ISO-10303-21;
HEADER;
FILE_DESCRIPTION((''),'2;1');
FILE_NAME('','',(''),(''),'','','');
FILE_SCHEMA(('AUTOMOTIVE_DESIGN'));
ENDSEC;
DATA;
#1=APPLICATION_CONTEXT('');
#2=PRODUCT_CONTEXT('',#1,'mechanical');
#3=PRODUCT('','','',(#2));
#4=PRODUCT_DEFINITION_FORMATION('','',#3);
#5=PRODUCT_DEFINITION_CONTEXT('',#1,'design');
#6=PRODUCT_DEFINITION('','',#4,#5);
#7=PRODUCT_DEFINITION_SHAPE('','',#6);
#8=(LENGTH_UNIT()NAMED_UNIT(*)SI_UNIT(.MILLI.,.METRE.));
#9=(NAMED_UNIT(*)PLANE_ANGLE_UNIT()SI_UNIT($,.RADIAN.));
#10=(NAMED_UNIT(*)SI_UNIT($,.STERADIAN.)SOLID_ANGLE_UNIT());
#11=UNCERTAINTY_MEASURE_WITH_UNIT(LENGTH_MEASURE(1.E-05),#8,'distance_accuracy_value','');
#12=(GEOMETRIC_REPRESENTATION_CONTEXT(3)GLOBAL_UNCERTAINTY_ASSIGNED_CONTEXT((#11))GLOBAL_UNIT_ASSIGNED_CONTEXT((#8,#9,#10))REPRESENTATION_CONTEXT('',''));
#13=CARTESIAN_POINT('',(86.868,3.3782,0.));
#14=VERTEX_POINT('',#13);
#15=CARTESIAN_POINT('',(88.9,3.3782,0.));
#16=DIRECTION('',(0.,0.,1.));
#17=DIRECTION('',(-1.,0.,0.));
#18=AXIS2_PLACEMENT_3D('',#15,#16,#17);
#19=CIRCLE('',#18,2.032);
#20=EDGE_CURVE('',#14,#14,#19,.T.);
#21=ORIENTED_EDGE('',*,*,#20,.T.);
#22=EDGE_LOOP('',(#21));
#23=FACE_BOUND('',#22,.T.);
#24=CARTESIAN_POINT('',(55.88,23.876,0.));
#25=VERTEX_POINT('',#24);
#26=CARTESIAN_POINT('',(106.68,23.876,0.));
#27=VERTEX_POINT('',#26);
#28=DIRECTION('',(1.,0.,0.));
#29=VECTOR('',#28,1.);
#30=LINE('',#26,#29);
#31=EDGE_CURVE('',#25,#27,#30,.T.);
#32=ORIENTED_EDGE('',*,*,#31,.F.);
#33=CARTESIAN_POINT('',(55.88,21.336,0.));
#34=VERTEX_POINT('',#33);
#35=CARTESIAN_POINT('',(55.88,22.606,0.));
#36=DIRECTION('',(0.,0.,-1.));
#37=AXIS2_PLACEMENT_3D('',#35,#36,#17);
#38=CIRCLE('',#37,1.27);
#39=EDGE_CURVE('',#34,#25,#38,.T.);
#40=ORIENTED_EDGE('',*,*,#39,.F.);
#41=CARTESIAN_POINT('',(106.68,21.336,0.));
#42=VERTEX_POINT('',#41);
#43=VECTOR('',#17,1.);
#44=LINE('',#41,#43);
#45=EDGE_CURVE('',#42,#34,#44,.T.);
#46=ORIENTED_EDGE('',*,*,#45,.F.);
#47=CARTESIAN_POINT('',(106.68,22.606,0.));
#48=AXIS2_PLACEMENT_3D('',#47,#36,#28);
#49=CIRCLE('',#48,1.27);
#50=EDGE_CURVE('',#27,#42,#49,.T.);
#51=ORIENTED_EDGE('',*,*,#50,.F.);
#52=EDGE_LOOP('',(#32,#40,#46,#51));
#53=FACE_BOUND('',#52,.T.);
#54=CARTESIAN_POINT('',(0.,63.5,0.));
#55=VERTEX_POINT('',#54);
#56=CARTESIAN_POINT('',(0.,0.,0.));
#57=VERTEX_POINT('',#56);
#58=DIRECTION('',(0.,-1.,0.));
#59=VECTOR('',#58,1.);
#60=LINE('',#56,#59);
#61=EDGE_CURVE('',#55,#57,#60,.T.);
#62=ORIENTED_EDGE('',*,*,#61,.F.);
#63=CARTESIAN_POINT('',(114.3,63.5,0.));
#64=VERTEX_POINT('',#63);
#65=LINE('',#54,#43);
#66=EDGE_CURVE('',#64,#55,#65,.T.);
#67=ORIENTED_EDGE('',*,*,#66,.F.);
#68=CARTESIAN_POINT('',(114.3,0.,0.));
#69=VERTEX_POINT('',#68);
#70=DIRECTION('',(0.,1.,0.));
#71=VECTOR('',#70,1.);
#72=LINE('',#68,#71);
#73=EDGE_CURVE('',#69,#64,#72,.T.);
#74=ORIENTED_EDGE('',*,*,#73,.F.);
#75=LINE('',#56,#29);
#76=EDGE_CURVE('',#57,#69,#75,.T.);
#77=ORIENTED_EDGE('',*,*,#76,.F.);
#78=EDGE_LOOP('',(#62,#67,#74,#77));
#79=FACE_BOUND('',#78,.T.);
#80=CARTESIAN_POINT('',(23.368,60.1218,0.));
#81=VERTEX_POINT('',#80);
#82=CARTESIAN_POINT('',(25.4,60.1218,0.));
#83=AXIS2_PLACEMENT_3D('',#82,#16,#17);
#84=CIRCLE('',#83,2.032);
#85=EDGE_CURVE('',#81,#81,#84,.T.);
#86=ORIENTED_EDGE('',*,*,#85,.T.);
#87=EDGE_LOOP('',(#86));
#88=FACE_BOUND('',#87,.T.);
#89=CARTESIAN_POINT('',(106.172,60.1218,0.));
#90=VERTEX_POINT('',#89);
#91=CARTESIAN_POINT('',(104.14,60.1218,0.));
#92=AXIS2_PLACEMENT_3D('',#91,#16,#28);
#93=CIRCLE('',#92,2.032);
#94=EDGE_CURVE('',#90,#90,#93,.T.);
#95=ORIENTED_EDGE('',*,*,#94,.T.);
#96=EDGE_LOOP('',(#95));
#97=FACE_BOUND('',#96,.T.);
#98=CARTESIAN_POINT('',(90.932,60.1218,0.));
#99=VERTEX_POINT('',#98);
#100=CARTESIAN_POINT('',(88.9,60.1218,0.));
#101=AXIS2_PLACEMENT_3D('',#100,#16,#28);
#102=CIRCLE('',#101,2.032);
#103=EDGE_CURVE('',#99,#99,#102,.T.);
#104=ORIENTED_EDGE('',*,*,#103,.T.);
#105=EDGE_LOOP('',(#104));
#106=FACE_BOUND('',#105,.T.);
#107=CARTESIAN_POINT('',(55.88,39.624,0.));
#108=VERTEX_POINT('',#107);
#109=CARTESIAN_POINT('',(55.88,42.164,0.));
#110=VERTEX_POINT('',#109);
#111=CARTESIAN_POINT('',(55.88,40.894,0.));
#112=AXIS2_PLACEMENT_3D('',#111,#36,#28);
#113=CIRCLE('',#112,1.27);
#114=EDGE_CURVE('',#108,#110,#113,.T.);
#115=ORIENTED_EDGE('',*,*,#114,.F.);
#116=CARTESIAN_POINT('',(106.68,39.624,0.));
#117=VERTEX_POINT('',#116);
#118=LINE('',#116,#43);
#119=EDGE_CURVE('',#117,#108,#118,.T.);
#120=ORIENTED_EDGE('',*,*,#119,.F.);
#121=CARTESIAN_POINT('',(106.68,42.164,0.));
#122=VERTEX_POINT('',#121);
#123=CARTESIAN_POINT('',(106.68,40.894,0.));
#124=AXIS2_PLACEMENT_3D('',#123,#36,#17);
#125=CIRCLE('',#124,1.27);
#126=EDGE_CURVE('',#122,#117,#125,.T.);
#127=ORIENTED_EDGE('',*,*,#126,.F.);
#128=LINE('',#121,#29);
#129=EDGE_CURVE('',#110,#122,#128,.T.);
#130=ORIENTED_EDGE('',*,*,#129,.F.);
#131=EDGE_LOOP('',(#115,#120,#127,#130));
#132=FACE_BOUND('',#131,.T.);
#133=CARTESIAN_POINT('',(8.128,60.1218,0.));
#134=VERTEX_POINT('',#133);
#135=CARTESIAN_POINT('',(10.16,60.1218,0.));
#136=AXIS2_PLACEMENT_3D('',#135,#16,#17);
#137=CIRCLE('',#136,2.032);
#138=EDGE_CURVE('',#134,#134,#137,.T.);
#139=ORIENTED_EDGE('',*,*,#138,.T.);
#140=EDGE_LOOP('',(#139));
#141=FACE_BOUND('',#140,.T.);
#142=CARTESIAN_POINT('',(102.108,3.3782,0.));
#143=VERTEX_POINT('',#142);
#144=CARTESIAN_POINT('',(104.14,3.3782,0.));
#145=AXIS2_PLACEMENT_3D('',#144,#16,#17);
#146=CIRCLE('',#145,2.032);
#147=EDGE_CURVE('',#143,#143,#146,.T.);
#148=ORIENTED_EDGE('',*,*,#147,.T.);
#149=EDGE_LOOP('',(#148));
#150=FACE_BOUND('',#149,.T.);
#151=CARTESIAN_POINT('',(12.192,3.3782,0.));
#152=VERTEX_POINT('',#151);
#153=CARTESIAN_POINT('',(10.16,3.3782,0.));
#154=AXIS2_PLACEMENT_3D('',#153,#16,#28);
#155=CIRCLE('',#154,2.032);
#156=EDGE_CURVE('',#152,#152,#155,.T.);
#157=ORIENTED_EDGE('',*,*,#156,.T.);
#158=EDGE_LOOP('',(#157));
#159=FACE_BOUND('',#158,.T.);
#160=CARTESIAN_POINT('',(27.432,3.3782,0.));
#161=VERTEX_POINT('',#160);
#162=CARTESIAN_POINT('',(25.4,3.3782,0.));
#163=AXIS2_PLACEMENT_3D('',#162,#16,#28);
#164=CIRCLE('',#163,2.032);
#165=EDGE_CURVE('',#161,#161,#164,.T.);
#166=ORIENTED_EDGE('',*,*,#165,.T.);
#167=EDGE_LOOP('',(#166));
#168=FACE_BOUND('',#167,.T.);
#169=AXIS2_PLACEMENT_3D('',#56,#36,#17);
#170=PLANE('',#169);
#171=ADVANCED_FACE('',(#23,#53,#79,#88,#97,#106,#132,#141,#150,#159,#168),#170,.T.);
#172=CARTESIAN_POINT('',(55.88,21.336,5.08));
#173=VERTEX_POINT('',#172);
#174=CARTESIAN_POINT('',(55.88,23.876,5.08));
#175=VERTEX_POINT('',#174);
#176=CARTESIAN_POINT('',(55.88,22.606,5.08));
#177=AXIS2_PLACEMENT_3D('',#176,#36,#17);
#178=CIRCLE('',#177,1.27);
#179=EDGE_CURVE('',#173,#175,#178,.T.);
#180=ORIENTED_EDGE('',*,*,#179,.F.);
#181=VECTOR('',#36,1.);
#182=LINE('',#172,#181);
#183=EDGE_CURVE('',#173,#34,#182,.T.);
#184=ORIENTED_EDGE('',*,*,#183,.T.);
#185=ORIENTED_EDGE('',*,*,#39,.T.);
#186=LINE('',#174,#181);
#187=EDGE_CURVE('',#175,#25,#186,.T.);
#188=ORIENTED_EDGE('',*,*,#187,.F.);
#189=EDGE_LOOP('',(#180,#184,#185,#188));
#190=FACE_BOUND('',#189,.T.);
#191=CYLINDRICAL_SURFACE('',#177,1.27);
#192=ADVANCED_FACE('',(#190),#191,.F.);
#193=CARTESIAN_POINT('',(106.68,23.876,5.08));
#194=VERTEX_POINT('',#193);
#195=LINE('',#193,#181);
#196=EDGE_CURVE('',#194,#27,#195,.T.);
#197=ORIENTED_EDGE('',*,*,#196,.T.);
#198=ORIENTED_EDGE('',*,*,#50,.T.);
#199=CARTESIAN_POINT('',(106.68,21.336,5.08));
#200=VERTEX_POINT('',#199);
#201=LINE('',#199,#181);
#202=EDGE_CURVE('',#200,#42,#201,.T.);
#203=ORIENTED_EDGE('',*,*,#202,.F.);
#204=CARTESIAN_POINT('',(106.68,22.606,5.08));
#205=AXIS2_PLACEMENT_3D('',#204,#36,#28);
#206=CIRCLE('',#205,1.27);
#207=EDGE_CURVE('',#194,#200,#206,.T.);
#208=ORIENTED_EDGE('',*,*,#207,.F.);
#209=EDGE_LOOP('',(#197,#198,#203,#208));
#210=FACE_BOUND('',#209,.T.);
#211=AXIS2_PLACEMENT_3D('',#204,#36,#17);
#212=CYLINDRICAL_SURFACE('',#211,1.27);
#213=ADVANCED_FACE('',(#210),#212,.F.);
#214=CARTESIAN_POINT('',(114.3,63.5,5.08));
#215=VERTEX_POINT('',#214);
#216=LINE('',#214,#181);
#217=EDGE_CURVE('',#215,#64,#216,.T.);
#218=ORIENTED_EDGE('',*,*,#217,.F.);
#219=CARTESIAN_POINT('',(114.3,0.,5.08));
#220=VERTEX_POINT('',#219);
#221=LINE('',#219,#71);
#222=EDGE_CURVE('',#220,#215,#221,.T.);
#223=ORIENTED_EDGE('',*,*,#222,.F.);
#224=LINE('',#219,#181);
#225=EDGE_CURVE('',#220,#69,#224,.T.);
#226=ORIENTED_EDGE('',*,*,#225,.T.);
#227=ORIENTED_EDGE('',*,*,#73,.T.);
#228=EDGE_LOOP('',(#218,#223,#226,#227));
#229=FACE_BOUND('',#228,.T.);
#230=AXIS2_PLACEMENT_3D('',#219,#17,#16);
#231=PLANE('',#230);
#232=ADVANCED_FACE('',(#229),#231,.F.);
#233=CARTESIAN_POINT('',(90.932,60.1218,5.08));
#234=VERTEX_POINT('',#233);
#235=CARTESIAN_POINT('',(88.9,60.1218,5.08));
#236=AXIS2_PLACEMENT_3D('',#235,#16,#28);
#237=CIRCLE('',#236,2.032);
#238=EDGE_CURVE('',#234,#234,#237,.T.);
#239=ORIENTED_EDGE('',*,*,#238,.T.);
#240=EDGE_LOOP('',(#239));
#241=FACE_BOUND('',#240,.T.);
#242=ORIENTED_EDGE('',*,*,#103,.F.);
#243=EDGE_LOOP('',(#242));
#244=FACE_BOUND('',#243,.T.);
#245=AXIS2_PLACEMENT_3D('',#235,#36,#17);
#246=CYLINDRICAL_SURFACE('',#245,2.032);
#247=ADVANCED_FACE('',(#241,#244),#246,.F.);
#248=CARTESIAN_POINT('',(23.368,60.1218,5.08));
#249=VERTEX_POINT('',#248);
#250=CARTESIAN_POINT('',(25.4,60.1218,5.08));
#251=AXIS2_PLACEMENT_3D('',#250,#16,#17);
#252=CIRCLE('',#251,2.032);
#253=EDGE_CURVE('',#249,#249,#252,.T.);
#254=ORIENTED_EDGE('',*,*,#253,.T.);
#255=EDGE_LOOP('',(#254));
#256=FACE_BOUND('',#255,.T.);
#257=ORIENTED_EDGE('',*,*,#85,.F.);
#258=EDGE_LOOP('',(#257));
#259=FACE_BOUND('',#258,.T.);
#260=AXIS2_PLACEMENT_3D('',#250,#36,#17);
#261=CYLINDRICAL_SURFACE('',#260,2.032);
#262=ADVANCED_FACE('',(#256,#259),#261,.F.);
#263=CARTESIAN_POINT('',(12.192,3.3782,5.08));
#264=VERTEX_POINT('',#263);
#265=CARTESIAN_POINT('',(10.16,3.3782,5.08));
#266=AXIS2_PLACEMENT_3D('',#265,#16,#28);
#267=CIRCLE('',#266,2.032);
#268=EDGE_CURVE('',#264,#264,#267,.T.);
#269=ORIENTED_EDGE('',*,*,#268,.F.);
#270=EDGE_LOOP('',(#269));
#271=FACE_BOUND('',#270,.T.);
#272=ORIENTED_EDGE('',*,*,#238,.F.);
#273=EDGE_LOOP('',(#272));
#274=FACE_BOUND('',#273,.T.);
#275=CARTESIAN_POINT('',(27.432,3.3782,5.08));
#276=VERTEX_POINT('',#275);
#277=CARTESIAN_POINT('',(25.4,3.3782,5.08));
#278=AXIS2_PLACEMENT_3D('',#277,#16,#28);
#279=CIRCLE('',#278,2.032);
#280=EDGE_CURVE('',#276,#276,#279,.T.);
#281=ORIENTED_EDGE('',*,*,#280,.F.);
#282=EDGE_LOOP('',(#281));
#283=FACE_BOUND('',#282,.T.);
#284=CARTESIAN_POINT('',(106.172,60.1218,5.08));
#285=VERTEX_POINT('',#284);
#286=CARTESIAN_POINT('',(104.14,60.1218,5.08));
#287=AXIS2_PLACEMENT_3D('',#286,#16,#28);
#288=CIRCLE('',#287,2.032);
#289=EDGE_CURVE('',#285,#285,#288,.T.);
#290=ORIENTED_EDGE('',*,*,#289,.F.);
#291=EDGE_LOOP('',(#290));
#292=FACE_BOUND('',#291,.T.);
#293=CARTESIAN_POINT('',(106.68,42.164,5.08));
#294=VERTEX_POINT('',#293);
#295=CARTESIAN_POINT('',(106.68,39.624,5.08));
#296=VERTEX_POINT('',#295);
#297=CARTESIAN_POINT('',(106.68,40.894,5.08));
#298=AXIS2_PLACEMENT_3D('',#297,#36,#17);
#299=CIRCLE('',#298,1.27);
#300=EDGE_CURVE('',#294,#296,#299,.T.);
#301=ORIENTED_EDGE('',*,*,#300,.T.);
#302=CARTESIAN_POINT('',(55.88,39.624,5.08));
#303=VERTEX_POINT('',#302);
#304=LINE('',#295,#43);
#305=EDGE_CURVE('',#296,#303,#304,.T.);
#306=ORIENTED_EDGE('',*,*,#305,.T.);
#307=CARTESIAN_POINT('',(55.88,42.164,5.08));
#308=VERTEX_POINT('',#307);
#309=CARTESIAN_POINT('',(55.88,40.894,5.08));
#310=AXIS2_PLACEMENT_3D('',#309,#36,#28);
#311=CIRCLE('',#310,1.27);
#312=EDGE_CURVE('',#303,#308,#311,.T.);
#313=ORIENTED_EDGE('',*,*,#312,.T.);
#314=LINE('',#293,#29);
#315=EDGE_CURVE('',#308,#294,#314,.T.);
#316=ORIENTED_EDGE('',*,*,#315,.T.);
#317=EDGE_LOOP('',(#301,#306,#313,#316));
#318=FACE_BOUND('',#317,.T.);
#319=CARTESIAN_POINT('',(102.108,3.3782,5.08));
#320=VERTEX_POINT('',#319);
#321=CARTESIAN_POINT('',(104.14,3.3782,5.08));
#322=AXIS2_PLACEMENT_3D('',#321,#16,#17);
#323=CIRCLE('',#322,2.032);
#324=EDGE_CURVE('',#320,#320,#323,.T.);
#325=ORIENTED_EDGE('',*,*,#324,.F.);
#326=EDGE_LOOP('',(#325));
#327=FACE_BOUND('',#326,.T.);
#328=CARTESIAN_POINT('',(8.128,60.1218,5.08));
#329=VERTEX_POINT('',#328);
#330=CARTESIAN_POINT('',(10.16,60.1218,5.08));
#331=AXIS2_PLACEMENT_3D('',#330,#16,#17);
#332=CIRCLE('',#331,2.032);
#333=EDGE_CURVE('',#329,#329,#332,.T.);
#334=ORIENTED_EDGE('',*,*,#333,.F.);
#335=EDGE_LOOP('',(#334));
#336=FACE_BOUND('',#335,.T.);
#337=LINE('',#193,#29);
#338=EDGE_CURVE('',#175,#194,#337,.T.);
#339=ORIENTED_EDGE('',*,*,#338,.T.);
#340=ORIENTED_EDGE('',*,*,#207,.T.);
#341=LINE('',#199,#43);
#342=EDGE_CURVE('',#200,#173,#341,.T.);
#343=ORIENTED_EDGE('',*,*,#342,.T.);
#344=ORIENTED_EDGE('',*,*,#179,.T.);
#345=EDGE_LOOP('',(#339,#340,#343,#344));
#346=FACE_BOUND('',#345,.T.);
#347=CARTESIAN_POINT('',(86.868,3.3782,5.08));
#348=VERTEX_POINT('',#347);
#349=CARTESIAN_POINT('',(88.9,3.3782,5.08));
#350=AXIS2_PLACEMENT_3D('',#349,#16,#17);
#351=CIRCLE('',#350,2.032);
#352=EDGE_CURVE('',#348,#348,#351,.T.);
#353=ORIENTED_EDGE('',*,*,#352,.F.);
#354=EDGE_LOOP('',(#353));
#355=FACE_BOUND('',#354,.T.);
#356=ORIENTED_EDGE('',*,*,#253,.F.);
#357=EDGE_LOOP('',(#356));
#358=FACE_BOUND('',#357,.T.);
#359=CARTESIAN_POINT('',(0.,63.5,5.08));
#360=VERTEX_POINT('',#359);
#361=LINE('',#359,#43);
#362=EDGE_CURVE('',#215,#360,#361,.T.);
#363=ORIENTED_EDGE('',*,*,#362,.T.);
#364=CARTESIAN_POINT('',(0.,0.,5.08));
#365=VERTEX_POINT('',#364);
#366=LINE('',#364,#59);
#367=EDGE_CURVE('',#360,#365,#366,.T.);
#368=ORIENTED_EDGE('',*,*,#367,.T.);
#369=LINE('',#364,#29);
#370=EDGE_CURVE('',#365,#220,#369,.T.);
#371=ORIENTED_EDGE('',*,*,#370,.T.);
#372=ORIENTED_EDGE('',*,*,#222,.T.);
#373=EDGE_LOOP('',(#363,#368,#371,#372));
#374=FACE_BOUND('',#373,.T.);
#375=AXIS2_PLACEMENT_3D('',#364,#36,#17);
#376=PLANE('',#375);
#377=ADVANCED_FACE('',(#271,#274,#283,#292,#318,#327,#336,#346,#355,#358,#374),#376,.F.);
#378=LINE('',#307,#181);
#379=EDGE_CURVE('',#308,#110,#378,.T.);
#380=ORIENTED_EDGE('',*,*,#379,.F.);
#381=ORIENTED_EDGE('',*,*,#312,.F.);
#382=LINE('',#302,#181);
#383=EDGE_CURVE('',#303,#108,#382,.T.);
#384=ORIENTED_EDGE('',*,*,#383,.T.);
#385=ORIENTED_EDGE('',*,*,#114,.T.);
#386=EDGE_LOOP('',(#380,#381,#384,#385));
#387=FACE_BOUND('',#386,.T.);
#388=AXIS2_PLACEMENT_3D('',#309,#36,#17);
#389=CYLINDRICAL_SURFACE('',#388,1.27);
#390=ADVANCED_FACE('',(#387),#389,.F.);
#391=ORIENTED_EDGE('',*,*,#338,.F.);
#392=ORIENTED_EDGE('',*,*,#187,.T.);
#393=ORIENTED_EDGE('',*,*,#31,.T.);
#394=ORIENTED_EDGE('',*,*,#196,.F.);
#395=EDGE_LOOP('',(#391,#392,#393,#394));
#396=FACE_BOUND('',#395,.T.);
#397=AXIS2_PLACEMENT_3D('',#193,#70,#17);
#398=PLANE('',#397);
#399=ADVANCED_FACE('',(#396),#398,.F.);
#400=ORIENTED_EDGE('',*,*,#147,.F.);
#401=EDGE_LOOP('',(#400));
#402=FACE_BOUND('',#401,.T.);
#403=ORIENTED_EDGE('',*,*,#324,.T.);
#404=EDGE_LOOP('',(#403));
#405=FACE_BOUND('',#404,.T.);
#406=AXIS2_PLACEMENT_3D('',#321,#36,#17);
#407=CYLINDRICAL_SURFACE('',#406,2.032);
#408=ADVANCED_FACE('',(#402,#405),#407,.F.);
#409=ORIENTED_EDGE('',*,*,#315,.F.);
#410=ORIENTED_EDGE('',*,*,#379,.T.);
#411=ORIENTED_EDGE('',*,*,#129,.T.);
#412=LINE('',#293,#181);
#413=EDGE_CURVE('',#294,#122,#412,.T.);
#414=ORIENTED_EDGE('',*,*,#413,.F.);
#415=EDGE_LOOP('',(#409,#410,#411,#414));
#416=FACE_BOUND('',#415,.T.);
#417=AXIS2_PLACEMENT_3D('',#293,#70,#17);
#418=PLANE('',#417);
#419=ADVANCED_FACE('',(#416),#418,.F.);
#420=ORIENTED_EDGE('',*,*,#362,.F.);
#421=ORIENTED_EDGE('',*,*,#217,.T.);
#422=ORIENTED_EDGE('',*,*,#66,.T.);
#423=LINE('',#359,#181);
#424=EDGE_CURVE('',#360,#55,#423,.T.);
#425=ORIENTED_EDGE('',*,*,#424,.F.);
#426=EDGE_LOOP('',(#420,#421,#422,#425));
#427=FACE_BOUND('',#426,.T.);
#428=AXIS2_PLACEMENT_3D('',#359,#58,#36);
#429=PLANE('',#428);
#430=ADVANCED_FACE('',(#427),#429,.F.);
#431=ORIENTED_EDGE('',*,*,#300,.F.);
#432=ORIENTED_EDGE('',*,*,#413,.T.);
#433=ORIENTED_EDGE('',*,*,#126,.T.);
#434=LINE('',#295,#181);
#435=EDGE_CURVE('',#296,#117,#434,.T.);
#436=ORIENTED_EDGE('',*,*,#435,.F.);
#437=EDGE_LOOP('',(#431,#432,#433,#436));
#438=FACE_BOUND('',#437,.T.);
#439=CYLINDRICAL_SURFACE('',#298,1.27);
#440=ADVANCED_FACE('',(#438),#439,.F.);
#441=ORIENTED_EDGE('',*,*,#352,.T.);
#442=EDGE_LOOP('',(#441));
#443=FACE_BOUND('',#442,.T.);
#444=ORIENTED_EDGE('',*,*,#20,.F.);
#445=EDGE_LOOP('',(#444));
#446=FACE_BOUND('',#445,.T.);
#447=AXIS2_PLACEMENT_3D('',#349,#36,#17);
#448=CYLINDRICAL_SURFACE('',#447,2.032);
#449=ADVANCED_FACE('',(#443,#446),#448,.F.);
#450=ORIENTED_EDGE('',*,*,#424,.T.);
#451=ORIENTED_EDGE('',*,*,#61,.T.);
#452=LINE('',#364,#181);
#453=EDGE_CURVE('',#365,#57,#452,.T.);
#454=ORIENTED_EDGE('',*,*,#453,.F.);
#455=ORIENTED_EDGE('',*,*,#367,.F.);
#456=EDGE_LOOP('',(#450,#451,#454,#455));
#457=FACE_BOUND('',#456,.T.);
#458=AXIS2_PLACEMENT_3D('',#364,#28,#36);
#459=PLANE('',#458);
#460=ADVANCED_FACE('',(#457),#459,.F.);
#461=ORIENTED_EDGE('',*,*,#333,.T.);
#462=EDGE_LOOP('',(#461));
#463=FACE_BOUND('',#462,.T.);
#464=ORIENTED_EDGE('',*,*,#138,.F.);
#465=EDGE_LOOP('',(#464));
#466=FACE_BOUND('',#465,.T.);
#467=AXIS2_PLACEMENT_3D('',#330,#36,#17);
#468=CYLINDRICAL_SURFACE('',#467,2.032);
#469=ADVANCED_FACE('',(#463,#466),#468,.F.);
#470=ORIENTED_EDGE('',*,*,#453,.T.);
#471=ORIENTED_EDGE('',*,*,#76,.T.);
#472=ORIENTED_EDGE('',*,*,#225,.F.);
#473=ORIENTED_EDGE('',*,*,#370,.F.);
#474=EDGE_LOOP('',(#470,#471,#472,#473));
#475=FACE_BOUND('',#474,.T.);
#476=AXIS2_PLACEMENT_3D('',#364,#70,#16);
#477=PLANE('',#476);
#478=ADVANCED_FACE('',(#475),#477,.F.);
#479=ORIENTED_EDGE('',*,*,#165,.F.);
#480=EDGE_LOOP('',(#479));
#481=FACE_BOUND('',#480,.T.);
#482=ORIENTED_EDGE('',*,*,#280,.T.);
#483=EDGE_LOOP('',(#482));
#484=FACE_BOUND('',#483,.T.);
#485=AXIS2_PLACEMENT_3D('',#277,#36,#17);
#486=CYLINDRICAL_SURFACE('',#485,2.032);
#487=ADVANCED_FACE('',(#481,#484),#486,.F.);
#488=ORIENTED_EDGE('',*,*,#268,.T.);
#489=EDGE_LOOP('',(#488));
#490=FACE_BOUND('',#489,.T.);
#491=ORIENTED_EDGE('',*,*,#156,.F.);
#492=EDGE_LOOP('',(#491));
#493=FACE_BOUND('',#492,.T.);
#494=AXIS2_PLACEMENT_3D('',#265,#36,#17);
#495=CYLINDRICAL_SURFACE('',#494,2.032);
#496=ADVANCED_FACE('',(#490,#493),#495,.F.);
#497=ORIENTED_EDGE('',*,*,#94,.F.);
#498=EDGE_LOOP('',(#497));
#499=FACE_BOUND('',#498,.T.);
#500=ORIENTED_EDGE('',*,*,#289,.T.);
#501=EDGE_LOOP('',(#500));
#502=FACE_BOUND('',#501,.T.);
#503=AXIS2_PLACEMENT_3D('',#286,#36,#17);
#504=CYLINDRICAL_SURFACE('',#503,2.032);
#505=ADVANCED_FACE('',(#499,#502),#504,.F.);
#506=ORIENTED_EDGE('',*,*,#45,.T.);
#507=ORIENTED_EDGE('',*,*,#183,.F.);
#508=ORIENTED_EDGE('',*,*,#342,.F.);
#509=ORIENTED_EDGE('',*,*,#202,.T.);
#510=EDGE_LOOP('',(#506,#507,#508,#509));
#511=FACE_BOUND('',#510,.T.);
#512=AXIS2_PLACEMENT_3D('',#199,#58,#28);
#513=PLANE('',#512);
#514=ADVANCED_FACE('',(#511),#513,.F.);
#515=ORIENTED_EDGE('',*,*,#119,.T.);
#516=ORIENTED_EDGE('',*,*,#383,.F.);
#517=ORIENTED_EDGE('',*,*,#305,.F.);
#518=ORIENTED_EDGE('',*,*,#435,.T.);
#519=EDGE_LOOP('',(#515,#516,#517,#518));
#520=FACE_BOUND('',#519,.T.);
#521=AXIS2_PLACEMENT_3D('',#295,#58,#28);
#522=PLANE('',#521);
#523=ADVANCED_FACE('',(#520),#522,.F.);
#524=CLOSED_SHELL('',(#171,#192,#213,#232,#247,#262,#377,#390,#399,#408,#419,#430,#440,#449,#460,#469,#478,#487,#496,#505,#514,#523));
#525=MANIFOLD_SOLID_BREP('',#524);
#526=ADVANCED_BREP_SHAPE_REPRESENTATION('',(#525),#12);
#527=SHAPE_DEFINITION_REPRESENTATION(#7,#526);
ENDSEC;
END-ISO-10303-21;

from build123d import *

# Parameters (mm, degrees)
SKETCH1_W           = 114.3
SKETCH1_H           = 63.5
BOSS_EXTRUDE3_DEPTH = 5.08
SKETCH2_R           = 2.032
CUT_EXTRUDE4_DEPTH  = 131.853148223
CUT_EXTRUDE5_DEPTH  = 131.853148223


with BuildPart() as part:
    # Sketch1 → Boss-Extrude3 (new body)
    with BuildSketch(Plane.XY):
        with Locations((57.15, 31.75)):
            Rectangle(SKETCH1_W, SKETCH1_H)
    extrude(amount=BOSS_EXTRUDE3_DEPTH)

    # Sketch2 → Cut-Extrude4 (cut, through all)
    with BuildSketch(Plane.XY):
        with Locations((88.9, 60.1218)):
            Circle(SKETCH2_R)
        with Locations(Location((88.9, 3.3782, 0), (0, 0, 180))):
            Circle(SKETCH2_R)
        with Locations((25.4, 3.3782)):
            Circle(SKETCH2_R)
        with Locations(Location((25.4, 60.1218, 0), (0, 0, 180))):
            Circle(SKETCH2_R)
        with Locations((10.16, 3.3782)):
            Circle(SKETCH2_R)
        with Locations(Location((10.16, 60.1218, 0), (0, 0, 180))):
            Circle(SKETCH2_R)
        with Locations(Location((104.14, 3.3782, 0), (0, 0, 180))):
            Circle(SKETCH2_R)
        with Locations((104.14, 60.1218)):
            Circle(SKETCH2_R)
    extrude(amount=CUT_EXTRUDE4_DEPTH, mode=Mode.SUBTRACT)

    # Sketch3 → Cut-Extrude5 (cut, through all)
    with BuildSketch(Plane(origin=(0, 0, 0), x_dir=(-1, 0, 0), z_dir=(0, 0, -1))):
        with BuildLine():
            Line((-106.68, 42.164), (-55.88, 42.164))
            ThreePointArc((-55.88, 42.164), (-54.61, 40.894), (-55.88, 39.624))
            Line((-55.88, 39.624), (-106.68, 39.624))
            ThreePointArc((-106.68, 39.624), (-107.95, 40.894), (-106.68, 42.164))
        make_face()
        with BuildLine():
            Line((-106.68, 23.876), (-55.88, 23.876))
            ThreePointArc((-55.88, 23.876), (-54.61, 22.606), (-55.88, 21.336))
            Line((-55.88, 21.336), (-106.68, 21.336))
            ThreePointArc((-106.68, 21.336), (-107.95, 22.606), (-106.68, 23.876))
        make_face()
    extrude(amount=-CUT_EXTRUDE5_DEPTH, mode=Mode.SUBTRACT)


solid = part.part
